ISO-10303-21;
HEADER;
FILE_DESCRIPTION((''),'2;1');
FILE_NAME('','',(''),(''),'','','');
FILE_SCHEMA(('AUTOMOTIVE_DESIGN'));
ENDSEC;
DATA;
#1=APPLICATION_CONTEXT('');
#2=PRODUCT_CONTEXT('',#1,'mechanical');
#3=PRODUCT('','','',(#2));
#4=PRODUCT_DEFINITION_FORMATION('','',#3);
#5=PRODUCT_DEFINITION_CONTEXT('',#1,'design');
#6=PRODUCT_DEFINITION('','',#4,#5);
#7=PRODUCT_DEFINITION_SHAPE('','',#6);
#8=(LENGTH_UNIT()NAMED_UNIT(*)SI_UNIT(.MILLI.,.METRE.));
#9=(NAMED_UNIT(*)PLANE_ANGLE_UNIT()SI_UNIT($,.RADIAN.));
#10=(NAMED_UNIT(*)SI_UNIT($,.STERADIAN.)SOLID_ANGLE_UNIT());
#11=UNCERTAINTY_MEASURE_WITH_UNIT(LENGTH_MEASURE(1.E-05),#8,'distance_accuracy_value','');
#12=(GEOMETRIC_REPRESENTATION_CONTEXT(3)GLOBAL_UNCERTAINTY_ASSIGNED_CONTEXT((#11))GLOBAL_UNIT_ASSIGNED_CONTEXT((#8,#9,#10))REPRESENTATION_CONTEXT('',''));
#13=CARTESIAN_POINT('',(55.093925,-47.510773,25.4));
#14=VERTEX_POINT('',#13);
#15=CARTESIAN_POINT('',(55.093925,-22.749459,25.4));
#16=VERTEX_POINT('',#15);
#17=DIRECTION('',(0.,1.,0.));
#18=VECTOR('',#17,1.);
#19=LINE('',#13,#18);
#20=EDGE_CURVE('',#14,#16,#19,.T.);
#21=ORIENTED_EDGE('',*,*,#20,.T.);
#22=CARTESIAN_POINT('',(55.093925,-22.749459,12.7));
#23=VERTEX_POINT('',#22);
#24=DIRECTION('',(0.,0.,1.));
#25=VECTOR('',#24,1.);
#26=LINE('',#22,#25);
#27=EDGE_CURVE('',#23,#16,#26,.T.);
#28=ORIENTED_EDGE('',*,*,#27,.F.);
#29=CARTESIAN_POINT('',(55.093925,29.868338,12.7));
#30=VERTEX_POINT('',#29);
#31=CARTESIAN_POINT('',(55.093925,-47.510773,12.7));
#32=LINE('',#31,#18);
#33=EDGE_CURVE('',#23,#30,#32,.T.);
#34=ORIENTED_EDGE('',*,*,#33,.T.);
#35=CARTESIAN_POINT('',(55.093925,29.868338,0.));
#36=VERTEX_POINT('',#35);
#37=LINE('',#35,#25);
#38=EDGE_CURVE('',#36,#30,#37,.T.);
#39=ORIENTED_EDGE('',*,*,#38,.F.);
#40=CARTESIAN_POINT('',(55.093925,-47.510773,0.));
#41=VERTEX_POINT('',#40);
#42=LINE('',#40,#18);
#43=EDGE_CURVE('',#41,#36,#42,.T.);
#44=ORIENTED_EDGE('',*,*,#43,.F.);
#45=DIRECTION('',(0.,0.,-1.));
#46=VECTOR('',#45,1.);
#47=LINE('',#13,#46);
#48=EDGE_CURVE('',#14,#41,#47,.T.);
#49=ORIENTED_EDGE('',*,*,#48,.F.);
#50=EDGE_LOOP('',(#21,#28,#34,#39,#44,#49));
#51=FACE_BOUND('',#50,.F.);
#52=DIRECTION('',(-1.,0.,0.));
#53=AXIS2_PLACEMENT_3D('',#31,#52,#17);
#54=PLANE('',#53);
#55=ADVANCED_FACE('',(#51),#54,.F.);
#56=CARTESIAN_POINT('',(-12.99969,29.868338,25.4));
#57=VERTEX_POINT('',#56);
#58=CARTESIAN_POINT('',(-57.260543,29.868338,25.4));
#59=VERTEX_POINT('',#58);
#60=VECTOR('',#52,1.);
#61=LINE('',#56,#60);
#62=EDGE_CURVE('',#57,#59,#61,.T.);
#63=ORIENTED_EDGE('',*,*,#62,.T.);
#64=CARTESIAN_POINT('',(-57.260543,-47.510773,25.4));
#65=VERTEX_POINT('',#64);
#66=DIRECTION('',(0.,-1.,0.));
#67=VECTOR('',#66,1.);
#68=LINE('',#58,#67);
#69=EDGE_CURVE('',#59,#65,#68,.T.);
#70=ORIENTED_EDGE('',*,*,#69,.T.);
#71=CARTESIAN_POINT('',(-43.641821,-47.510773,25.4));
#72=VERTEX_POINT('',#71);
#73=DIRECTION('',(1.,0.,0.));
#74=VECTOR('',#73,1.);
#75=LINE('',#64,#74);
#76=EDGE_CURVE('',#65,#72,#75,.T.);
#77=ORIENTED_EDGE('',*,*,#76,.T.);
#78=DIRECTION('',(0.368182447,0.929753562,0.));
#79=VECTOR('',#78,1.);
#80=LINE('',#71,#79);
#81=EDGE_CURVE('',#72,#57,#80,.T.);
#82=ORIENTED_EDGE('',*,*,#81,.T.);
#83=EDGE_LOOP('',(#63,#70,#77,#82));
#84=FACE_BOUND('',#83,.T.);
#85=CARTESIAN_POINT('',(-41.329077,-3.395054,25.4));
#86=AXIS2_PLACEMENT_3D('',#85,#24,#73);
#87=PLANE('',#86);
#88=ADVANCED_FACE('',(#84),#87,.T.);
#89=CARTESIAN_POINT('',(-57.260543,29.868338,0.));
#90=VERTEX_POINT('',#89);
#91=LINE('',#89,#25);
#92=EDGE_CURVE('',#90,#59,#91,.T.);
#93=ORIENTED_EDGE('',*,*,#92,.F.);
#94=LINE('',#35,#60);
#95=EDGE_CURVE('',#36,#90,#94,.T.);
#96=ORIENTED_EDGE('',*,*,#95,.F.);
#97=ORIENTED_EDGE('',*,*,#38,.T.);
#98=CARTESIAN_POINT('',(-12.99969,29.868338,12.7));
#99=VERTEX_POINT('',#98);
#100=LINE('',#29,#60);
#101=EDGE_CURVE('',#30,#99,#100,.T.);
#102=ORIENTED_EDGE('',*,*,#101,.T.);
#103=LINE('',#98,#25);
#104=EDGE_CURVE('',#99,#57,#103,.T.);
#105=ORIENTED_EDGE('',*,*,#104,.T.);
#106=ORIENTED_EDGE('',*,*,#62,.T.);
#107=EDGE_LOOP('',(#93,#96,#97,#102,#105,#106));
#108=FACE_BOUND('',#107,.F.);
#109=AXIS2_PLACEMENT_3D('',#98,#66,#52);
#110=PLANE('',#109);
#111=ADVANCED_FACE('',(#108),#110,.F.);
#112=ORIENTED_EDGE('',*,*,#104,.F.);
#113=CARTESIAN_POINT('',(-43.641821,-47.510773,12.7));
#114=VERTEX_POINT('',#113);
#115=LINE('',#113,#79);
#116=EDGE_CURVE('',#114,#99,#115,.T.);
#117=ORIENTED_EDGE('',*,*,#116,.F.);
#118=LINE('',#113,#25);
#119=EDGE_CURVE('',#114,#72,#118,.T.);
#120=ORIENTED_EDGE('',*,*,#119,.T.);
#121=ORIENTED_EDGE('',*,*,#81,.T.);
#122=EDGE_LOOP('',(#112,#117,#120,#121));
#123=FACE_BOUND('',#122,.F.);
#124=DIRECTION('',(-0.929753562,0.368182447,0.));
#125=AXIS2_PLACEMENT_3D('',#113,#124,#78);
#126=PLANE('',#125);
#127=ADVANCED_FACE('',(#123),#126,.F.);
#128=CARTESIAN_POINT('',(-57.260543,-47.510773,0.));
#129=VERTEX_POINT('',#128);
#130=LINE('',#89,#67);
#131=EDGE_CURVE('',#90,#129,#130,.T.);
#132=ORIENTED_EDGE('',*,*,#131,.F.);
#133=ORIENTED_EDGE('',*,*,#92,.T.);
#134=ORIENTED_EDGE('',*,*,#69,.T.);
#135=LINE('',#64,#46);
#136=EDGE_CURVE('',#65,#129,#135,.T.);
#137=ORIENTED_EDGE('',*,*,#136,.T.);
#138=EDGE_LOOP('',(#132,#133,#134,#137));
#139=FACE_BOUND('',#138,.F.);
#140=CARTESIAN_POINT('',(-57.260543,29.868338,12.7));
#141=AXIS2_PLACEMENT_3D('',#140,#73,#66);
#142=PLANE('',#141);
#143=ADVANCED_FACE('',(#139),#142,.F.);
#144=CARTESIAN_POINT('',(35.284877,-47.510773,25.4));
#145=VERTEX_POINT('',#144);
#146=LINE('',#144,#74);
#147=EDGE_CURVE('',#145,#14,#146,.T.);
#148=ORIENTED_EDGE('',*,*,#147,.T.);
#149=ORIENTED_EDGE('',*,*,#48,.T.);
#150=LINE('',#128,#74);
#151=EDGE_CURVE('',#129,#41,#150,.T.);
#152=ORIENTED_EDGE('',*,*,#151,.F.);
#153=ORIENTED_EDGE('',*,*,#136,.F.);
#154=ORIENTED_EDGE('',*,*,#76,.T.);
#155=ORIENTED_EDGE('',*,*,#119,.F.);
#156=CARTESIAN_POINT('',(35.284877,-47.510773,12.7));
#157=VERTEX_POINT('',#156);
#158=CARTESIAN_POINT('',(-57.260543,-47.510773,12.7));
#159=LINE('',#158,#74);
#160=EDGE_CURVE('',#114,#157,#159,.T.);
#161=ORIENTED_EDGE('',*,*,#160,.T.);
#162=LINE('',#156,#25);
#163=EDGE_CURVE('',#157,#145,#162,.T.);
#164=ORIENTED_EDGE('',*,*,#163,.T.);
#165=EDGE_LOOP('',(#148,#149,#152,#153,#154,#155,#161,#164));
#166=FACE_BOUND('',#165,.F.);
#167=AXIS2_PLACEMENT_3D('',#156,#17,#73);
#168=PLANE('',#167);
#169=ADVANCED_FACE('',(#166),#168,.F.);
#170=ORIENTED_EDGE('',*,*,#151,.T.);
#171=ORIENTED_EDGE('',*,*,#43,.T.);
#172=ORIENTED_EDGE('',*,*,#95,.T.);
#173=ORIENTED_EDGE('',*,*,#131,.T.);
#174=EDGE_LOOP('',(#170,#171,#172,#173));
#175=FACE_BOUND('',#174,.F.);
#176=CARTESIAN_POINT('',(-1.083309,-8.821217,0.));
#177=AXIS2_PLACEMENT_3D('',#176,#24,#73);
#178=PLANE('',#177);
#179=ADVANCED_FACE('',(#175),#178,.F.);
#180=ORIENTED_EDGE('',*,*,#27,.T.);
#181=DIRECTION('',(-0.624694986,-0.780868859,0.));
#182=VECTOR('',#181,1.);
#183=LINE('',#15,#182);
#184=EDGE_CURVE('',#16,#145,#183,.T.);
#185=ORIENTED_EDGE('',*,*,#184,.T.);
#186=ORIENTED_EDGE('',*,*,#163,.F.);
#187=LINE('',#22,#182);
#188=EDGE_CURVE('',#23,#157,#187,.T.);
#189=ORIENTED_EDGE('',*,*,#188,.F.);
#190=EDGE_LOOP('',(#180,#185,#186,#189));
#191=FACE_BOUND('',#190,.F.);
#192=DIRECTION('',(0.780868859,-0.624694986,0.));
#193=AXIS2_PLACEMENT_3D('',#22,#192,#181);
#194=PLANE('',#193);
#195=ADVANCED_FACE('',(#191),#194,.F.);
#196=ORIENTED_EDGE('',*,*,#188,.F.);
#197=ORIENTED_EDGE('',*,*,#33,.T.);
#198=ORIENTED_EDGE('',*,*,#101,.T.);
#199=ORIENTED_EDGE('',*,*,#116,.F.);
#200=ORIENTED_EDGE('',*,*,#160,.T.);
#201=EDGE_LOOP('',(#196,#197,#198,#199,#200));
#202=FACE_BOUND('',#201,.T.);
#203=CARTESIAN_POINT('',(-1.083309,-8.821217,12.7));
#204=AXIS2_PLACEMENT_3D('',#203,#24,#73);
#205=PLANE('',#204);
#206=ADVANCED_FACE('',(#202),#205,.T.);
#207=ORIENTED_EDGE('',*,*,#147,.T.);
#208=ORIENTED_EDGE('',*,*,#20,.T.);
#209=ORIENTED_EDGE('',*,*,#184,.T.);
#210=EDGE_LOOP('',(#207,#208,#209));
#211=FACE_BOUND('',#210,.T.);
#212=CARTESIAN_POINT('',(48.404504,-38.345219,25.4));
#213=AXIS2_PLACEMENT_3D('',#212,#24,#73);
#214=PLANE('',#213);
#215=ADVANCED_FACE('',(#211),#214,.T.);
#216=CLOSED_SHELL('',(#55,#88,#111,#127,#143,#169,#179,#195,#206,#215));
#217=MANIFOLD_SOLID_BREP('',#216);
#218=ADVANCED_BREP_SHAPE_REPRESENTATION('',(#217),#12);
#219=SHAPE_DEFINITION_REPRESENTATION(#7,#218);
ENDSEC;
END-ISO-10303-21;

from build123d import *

# Parameters (mm, degrees)
F1_DEPTH = 12.7
F3_DEPTH = 12.7
F5_DEPTH = 12.7


with BuildPart() as f1:
    # F0 (on Top) → F1 (new body)
    with BuildSketch(Plane.XY):
        Polygon((-57.260543, -47.510773), (-37.141975, -47.510773), (55.093925, -47.510773), (55.093925, 29.868338), (-57.260543, 29.868338), align=None)
    extrude(amount=F1_DEPTH)

    # F2 (on face) → F3 (join)
    with BuildSketch(Plane.XY.offset(12.7)):
        Polygon((-43.641821, -47.510773), (-12.99969, 29.868338), (-57.260543, 29.868338), (-57.260543, -47.510773), align=None)
    extrude(amount=F3_DEPTH)

    # F4 (on face) → F5 (join)
    with BuildSketch(Plane.XY.offset(12.7)):
        Polygon((55.093925, -22.749459), (35.284877, -47.510773), (55.093925, -47.510773), align=None)
    extrude(amount=F5_DEPTH)


solid = f1.part
